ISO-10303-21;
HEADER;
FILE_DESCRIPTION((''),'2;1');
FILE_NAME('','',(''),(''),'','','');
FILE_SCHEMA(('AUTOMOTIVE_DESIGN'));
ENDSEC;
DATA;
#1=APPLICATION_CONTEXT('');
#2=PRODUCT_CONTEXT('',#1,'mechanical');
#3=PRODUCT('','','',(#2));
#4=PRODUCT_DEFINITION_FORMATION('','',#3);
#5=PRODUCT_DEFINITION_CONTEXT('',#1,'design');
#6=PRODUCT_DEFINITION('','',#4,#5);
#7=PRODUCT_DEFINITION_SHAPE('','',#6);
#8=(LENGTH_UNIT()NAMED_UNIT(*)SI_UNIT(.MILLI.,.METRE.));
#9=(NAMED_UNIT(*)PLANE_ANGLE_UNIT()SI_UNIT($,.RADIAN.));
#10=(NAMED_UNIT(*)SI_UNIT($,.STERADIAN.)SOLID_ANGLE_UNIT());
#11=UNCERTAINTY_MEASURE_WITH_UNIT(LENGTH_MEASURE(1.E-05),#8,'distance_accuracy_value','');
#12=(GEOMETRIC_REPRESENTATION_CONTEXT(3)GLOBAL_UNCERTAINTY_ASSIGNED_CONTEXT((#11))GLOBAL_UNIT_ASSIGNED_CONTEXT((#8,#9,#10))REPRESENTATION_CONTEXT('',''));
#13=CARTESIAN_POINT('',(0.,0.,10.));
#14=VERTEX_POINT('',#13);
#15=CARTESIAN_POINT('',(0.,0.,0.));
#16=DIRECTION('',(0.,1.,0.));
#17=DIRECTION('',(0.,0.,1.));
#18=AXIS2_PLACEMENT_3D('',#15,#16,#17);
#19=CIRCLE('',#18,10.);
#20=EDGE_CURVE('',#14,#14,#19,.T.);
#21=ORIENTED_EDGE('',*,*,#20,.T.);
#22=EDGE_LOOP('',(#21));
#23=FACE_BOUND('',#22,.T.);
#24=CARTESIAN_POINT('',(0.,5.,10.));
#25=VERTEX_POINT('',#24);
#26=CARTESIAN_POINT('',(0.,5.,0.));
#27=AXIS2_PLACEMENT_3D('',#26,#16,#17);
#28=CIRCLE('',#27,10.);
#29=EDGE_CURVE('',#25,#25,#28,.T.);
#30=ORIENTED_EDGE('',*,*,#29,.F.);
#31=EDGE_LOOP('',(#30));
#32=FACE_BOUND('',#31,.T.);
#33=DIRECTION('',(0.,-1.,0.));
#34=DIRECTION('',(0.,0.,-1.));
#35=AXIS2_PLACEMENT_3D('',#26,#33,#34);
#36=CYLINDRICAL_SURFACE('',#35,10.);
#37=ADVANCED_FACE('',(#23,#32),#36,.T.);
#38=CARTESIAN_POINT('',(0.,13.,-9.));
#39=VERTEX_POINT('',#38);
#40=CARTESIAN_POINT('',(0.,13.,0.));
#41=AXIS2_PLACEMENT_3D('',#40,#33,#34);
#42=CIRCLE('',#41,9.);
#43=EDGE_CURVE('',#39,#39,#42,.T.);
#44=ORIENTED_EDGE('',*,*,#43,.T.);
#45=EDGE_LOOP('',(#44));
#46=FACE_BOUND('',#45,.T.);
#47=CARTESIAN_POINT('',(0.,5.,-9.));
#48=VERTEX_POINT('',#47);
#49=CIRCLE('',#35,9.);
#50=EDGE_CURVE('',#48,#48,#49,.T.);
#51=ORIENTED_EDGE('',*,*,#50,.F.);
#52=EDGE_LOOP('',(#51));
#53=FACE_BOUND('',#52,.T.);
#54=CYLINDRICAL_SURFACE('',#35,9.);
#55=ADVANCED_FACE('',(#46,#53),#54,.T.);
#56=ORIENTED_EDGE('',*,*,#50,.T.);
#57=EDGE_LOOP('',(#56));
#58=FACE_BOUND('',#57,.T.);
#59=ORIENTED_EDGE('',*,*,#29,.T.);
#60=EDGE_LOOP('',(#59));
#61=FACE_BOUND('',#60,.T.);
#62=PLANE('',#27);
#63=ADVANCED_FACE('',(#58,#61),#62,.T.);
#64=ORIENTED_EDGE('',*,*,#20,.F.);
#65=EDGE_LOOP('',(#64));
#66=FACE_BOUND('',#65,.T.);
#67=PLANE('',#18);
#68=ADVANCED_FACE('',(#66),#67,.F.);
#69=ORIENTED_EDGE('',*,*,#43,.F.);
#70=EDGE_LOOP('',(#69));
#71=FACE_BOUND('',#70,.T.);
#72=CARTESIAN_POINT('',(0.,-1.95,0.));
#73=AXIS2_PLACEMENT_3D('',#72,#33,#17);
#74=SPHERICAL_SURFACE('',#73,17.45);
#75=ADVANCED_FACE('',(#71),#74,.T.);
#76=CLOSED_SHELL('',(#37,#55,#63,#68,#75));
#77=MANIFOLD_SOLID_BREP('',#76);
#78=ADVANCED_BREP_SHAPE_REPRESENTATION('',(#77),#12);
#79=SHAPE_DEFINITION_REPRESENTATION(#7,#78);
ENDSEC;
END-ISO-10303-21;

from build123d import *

# Parameters (mm, degrees)
SKETCH1_R           = 10
BOSS_EXTRUDE1_DEPTH = 5


with BuildPart() as part:
    # Sketch1 → Boss-Extrude1 (new body)
    with BuildSketch(Plane(origin=(0, 0, 0), x_dir=(1, 0, 0), z_dir=(0, 1, 0))):
        Circle(SKETCH1_R)
    extrude(amount=BOSS_EXTRUDE1_DEPTH)

    # Sketch2 → Revolve1 (revolve)
    with BuildSketch(Plane(origin=(0, 0, 0), x_dir=(0, 0, -1), z_dir=(1, 0, 0))):
        with BuildLine():
            Line((-9, 13), (-9, 5))
            Line((-9, 5), (0, 5))
            Line((0, 5), (0, 15.5))
            ThreePointArc((0, 15.5), (-4.670385423, 14.863387523), (-9, 13))
        make_face()
    revolve(axis=Axis((0, 5, 0), (0, 1, 0)))


solid = part.part
